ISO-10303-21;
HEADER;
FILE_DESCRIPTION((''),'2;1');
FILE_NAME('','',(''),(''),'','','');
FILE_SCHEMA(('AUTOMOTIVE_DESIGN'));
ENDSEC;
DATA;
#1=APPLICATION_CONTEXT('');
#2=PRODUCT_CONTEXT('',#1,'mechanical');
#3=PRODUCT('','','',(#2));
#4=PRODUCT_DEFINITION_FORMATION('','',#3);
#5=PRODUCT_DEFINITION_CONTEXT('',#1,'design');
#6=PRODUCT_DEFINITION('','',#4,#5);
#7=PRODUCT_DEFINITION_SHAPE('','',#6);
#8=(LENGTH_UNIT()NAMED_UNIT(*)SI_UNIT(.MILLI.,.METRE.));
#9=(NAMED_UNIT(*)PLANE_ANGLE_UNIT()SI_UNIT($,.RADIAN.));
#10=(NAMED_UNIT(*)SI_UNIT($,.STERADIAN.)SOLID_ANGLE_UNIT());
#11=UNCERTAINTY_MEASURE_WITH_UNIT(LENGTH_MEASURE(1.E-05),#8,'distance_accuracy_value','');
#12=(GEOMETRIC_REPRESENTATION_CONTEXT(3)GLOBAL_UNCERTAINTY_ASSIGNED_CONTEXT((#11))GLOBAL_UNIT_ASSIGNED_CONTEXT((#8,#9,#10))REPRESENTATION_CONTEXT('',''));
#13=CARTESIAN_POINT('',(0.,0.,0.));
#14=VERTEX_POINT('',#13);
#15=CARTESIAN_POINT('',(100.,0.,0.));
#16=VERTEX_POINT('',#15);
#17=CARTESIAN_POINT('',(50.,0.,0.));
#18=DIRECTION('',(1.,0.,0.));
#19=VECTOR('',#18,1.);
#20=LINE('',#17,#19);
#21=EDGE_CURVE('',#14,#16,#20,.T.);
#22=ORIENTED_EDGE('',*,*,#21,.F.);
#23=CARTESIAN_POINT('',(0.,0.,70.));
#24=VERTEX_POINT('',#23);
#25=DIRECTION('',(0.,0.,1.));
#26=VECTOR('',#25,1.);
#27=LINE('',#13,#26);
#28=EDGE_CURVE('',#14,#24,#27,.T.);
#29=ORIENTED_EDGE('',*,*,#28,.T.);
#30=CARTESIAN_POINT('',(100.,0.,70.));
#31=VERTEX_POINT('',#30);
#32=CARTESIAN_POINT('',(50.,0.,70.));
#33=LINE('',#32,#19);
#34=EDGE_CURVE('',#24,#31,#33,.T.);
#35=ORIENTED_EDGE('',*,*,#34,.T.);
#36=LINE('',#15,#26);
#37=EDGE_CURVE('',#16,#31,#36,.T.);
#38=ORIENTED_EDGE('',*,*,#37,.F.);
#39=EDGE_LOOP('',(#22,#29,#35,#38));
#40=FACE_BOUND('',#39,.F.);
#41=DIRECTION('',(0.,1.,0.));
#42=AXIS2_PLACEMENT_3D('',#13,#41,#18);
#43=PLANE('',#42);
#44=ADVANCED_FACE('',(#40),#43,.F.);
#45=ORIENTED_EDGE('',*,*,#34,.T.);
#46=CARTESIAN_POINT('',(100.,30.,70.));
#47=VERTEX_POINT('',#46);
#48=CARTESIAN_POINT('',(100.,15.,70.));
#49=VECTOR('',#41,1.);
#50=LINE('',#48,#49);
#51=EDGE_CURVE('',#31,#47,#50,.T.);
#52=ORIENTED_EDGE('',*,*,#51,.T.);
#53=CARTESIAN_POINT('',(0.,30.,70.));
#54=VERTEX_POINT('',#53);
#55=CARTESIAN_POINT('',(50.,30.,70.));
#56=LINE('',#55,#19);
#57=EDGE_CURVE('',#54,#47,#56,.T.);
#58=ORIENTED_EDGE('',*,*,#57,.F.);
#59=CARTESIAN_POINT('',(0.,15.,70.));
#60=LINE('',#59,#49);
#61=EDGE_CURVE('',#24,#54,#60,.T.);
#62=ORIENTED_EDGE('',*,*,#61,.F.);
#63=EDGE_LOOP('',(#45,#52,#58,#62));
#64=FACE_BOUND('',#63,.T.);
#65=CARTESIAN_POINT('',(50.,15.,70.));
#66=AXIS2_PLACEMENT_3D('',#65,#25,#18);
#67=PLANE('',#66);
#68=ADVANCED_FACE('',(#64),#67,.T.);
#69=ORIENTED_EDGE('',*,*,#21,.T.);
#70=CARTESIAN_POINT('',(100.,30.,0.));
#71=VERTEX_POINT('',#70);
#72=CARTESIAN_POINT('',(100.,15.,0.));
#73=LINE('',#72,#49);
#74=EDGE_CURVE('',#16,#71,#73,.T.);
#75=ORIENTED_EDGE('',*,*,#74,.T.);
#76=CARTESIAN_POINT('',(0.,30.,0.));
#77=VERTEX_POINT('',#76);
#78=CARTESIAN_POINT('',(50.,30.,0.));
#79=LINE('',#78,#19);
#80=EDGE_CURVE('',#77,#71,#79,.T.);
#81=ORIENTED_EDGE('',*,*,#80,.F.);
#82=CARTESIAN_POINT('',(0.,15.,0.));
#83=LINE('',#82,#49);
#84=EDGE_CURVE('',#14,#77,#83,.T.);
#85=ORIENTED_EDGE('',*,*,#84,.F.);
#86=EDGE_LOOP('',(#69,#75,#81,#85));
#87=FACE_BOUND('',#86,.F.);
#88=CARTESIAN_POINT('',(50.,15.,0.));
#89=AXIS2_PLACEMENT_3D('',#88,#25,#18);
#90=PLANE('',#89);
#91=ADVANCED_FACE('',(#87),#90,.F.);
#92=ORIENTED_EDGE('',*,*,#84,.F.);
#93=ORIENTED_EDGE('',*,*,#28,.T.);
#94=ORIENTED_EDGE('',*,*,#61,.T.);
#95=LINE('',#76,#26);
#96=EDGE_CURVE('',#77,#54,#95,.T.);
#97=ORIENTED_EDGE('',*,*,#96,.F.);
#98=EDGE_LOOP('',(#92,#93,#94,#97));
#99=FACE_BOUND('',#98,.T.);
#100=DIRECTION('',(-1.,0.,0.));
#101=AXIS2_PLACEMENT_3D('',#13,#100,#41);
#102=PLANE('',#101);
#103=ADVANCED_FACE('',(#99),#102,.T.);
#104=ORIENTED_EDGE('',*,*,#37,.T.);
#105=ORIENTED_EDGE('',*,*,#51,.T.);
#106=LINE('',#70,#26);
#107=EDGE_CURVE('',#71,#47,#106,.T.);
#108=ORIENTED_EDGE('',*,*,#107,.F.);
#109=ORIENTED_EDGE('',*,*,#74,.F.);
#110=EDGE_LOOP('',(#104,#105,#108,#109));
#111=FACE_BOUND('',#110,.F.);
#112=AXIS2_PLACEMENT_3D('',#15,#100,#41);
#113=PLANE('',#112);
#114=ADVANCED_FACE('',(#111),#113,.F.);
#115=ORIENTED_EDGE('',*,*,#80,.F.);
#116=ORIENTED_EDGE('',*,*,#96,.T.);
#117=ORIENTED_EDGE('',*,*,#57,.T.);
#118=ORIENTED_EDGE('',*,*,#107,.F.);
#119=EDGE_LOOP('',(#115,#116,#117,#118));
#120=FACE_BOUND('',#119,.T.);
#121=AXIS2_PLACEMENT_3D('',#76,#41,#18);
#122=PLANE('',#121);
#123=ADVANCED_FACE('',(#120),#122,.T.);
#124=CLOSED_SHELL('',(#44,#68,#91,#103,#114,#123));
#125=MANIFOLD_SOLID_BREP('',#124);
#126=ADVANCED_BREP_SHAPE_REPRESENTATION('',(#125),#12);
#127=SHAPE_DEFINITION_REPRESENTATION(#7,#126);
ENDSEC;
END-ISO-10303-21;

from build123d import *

# Parameters (mm, degrees)
SKETCH_W  = 100
SKETCH_H  = 30
PAD_DEPTH = 70


with BuildPart() as part:
    # Sketch → Pad (new body)
    with BuildSketch(Plane.XY):
        with Locations((50, 15)):
            Rectangle(SKETCH_W, SKETCH_H)
    extrude(amount=PAD_DEPTH)


solid = part.part
